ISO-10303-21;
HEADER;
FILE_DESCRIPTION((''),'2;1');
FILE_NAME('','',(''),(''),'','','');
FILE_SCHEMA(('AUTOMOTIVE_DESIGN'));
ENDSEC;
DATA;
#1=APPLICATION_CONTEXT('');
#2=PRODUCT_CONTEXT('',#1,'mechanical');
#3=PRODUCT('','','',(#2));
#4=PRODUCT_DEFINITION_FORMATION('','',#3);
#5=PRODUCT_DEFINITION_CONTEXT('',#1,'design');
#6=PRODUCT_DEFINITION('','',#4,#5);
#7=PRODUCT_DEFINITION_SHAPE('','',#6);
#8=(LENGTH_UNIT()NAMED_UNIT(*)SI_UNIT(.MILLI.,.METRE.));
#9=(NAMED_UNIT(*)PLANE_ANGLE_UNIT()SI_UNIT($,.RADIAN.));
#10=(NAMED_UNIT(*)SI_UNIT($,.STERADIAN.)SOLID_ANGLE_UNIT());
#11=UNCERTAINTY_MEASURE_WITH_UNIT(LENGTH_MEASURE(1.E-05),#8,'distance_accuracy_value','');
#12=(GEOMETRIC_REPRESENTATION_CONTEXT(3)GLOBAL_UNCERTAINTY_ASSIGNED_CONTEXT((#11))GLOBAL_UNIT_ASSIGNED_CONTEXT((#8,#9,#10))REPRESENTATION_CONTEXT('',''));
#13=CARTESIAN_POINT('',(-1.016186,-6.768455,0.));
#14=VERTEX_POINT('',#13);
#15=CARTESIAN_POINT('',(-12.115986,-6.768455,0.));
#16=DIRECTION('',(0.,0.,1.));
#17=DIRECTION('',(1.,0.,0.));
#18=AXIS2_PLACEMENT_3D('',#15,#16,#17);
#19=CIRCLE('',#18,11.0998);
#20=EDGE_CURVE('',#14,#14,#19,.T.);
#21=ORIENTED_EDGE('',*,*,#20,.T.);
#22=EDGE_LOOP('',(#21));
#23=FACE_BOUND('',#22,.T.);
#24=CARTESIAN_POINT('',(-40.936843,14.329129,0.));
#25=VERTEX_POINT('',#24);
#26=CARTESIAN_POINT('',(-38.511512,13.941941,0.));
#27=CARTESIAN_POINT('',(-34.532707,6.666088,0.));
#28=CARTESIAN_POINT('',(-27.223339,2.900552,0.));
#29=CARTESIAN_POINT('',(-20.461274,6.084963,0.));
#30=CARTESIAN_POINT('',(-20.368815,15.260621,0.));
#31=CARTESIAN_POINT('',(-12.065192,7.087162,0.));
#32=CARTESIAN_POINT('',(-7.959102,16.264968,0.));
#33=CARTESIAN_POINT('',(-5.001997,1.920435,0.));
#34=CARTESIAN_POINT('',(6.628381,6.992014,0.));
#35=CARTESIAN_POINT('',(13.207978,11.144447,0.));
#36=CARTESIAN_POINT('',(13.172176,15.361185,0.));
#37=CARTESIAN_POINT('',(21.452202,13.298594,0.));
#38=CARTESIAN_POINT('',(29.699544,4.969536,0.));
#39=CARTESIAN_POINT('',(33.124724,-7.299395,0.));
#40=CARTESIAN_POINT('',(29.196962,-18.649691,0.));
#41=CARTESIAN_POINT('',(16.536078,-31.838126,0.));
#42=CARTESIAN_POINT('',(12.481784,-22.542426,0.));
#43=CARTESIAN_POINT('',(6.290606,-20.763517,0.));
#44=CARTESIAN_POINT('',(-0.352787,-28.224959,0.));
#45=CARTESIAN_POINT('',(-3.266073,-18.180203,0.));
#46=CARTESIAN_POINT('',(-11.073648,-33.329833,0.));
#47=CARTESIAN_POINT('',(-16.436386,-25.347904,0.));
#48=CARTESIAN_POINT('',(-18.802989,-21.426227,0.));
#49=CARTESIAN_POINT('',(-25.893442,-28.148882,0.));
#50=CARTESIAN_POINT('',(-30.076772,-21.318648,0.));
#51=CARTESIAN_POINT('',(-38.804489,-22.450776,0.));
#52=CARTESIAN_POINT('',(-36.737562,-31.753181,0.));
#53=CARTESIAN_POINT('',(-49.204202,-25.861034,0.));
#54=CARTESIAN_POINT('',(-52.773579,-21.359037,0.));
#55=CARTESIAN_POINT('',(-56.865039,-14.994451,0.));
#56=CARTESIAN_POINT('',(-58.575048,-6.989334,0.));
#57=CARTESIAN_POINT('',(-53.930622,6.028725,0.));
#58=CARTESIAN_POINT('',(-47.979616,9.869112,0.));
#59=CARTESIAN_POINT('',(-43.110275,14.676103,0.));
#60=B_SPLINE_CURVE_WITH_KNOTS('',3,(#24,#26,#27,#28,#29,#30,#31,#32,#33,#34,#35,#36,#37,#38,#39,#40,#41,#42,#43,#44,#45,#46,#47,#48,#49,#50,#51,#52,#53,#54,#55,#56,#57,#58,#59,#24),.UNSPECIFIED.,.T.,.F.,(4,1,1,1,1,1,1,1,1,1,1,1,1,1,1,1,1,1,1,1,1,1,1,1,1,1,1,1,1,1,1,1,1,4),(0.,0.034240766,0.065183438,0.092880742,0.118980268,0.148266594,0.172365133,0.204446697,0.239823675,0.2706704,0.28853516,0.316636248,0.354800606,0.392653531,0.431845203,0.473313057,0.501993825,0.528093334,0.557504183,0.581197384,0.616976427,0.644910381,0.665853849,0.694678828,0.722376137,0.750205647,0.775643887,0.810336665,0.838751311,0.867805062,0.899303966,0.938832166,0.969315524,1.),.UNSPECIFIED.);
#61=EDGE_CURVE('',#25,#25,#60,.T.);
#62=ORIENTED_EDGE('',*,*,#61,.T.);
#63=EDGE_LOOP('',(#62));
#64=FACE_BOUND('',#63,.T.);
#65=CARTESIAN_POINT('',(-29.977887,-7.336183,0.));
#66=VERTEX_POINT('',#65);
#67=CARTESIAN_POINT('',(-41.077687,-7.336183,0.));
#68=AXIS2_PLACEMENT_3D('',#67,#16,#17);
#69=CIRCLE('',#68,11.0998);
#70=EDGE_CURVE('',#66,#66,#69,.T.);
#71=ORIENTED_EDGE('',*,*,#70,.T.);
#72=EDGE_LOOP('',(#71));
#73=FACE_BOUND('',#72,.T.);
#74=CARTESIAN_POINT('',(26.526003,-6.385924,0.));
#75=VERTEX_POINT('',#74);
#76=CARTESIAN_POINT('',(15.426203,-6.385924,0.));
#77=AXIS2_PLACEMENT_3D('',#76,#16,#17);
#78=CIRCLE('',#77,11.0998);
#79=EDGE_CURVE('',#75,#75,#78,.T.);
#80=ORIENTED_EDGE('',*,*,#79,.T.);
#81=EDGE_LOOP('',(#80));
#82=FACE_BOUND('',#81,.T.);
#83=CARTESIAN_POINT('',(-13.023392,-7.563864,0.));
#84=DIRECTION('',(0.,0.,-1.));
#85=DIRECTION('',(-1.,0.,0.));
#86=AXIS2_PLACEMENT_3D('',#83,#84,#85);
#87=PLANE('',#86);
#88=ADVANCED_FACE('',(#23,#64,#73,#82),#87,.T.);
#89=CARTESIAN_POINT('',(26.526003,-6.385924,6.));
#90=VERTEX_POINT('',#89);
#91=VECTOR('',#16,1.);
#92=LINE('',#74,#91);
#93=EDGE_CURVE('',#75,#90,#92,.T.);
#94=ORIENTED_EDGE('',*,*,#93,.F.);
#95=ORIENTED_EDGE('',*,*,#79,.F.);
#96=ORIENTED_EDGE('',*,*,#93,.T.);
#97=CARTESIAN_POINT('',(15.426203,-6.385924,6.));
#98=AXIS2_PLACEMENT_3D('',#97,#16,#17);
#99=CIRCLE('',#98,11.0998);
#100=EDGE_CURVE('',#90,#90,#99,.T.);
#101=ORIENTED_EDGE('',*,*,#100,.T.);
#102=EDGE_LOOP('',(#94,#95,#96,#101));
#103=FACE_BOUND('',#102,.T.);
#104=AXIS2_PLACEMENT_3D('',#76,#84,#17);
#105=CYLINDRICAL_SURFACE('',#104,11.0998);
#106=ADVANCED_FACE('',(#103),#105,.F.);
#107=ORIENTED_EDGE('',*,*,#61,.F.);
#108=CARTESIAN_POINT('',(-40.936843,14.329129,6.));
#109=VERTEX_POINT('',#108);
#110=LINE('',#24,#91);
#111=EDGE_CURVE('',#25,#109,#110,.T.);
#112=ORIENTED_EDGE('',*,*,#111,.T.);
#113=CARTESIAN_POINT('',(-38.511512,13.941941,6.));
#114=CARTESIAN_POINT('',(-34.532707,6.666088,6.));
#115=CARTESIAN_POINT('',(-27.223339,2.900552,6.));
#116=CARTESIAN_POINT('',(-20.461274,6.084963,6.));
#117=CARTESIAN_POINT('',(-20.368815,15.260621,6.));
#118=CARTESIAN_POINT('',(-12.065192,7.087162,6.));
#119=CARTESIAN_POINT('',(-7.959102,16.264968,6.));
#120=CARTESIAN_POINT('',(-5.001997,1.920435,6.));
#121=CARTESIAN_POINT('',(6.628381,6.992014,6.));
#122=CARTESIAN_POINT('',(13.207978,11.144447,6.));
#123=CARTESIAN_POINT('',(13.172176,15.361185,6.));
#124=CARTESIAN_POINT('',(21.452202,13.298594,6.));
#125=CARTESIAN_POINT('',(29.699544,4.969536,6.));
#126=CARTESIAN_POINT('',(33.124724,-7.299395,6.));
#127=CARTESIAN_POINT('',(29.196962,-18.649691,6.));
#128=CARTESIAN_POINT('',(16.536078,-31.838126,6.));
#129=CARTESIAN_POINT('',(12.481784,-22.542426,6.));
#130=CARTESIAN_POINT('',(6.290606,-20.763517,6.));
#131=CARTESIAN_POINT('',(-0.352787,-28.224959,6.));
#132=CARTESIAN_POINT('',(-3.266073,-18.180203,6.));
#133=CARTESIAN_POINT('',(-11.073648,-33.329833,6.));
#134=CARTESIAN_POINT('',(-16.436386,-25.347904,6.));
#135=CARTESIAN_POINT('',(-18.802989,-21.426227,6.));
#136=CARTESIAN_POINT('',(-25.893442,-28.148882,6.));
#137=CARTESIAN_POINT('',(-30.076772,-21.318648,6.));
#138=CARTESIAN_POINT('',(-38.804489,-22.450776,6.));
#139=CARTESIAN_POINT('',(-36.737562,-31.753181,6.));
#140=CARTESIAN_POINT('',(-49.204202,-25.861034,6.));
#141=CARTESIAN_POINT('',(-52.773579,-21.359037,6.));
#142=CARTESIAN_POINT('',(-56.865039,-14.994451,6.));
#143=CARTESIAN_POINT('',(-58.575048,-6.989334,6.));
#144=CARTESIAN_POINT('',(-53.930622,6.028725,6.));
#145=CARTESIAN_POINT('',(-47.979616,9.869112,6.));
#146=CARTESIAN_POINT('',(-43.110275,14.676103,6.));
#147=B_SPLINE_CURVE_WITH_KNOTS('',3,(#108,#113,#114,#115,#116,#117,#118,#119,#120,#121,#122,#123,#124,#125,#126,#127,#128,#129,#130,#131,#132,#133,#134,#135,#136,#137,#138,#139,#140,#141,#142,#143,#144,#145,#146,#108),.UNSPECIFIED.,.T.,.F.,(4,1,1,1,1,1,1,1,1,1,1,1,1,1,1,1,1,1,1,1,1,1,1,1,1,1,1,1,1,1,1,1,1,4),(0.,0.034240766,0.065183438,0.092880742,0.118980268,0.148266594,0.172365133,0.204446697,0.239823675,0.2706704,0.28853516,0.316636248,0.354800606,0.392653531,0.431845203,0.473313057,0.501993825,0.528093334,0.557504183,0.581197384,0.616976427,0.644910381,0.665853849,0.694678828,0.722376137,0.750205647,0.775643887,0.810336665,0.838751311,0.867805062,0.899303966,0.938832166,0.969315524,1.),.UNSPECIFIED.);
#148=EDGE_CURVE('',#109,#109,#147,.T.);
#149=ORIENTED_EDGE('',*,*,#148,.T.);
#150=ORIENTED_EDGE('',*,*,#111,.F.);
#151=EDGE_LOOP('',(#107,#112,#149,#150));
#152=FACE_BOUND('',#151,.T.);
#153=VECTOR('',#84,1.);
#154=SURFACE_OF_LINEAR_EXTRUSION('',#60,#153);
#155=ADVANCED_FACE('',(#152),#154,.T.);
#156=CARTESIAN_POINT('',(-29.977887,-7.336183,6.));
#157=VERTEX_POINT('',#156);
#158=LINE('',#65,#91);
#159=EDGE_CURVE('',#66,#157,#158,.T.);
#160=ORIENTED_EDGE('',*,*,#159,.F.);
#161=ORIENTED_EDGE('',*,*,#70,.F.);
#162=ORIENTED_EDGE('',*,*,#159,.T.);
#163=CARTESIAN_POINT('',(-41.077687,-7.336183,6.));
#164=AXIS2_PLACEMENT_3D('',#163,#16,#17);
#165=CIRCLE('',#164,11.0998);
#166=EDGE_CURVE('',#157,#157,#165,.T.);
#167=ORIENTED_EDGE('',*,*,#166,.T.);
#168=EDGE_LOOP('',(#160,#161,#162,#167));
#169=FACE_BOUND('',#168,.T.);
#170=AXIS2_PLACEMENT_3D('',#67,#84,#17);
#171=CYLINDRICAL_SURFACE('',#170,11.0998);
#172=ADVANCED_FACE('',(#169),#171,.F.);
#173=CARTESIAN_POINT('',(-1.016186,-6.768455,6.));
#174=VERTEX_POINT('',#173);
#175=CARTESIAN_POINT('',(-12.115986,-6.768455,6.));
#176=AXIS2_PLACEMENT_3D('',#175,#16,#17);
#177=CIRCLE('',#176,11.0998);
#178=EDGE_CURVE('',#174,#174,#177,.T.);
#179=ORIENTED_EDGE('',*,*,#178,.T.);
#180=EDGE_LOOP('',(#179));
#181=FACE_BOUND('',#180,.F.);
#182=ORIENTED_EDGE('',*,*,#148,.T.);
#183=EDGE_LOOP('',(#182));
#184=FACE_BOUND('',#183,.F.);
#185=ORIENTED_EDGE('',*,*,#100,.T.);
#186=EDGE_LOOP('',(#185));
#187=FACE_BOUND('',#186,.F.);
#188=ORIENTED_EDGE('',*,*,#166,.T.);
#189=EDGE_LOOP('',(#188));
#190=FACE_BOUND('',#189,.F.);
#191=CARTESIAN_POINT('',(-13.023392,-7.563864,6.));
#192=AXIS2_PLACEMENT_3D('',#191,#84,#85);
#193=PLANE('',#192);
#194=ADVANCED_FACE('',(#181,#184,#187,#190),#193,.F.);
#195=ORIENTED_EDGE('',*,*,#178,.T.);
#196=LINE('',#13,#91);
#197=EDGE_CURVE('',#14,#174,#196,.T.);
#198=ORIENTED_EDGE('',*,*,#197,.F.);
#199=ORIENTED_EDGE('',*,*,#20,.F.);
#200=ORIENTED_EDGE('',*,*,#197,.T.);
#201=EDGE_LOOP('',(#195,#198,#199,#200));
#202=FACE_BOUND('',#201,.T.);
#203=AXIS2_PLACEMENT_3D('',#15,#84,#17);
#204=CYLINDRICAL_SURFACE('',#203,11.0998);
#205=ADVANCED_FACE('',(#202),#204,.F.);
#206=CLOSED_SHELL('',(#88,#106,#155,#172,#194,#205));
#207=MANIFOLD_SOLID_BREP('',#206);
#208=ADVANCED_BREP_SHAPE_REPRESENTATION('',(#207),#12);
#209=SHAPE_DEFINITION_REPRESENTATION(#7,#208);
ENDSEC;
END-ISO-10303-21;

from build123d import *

# Parameters (mm, degrees)
F0_R     = 11.0998
F1_DEPTH = 6


with BuildPart() as f1:
    # F0 (on Top) → F1 (new body)
    with BuildSketch(Plane.XY):
        with BuildLine():
            add(Edge.make_bspline(
                [(-40.9368425608, 14.3291288987), (-38.5115121005, 13.9419411111), (-34.5327070308, 6.6660884724), (-27.223339478, 2.9005517407), (-20.4612741314, 6.0849632771), (-20.3688152434, 15.2606207992), (-12.0651921752, 7.0871618634), (-7.9591021572, 16.2649682516), (-5.0019970548, 1.9204351683), (6.6283805419, 6.9920141928), (13.2079776629, 11.1444469028), (13.1721762744, 15.361185125), (21.4522020581, 13.2985936586), (29.6995436758, 4.9695362261), (33.1247235387, -7.2993949392), (29.1969621993, -18.6496910574), (16.5360783336, -31.8381259476), (12.4817844823, -22.5424259667), (6.2906061306, -20.7635172886), (-0.3527866451, -28.2249587153), (-3.2660727376, -18.1802031318), (-11.0736481842, -33.3298331979), (-16.4363864777, -25.3479041022), (-18.8029890096, -21.4262267829), (-25.8934424305, -28.1488823941), (-30.0767720264, -21.3186484322), (-38.8044894415, -22.4507756598), (-36.7375620517, -31.7531806834), (-49.2042017089, -25.8610336174), (-52.7735789788, -21.3590368784), (-56.8650386701, -14.9944511055), (-58.5750477913, -6.9893342243), (-53.9306215332, 6.0287254082), (-47.9796164836, 9.8691121826), (-43.1102750575, 14.676102861), (-40.9368425608, 14.3291288987)],
                knots=[0, 0, 0, 0, 0.0342407665, 0.0651834385, 0.0928807417, 0.1189802681, 0.1482665942, 0.1723651327, 0.2044466967, 0.2398236755, 0.2706703997, 0.2885351597, 0.3166362485, 0.3548006063, 0.3926535305, 0.4318452035, 0.4733130568, 0.5019938247, 0.5280933345, 0.5575041832, 0.5811973842, 0.6169764273, 0.6449103805, 0.6658538488, 0.6946788278, 0.7223761372, 0.7502056474, 0.7756438873, 0.8103366654, 0.8387513109, 0.8678050618, 0.8993039663, 0.9388321663, 0.9693155238, 1, 1, 1, 1], degree=3))
        make_face()
        with Locations((-41.0776868474, -7.3361833006)):
            Circle(F0_R, mode=Mode.SUBTRACT)
        with Locations((-12.1159860864, -6.7684547976)):
            Circle(F0_R, mode=Mode.SUBTRACT)
        with Locations((15.4262026772, -6.3859242946)):
            Circle(F0_R, mode=Mode.SUBTRACT)
    extrude(amount=F1_DEPTH)


solid = f1.part
